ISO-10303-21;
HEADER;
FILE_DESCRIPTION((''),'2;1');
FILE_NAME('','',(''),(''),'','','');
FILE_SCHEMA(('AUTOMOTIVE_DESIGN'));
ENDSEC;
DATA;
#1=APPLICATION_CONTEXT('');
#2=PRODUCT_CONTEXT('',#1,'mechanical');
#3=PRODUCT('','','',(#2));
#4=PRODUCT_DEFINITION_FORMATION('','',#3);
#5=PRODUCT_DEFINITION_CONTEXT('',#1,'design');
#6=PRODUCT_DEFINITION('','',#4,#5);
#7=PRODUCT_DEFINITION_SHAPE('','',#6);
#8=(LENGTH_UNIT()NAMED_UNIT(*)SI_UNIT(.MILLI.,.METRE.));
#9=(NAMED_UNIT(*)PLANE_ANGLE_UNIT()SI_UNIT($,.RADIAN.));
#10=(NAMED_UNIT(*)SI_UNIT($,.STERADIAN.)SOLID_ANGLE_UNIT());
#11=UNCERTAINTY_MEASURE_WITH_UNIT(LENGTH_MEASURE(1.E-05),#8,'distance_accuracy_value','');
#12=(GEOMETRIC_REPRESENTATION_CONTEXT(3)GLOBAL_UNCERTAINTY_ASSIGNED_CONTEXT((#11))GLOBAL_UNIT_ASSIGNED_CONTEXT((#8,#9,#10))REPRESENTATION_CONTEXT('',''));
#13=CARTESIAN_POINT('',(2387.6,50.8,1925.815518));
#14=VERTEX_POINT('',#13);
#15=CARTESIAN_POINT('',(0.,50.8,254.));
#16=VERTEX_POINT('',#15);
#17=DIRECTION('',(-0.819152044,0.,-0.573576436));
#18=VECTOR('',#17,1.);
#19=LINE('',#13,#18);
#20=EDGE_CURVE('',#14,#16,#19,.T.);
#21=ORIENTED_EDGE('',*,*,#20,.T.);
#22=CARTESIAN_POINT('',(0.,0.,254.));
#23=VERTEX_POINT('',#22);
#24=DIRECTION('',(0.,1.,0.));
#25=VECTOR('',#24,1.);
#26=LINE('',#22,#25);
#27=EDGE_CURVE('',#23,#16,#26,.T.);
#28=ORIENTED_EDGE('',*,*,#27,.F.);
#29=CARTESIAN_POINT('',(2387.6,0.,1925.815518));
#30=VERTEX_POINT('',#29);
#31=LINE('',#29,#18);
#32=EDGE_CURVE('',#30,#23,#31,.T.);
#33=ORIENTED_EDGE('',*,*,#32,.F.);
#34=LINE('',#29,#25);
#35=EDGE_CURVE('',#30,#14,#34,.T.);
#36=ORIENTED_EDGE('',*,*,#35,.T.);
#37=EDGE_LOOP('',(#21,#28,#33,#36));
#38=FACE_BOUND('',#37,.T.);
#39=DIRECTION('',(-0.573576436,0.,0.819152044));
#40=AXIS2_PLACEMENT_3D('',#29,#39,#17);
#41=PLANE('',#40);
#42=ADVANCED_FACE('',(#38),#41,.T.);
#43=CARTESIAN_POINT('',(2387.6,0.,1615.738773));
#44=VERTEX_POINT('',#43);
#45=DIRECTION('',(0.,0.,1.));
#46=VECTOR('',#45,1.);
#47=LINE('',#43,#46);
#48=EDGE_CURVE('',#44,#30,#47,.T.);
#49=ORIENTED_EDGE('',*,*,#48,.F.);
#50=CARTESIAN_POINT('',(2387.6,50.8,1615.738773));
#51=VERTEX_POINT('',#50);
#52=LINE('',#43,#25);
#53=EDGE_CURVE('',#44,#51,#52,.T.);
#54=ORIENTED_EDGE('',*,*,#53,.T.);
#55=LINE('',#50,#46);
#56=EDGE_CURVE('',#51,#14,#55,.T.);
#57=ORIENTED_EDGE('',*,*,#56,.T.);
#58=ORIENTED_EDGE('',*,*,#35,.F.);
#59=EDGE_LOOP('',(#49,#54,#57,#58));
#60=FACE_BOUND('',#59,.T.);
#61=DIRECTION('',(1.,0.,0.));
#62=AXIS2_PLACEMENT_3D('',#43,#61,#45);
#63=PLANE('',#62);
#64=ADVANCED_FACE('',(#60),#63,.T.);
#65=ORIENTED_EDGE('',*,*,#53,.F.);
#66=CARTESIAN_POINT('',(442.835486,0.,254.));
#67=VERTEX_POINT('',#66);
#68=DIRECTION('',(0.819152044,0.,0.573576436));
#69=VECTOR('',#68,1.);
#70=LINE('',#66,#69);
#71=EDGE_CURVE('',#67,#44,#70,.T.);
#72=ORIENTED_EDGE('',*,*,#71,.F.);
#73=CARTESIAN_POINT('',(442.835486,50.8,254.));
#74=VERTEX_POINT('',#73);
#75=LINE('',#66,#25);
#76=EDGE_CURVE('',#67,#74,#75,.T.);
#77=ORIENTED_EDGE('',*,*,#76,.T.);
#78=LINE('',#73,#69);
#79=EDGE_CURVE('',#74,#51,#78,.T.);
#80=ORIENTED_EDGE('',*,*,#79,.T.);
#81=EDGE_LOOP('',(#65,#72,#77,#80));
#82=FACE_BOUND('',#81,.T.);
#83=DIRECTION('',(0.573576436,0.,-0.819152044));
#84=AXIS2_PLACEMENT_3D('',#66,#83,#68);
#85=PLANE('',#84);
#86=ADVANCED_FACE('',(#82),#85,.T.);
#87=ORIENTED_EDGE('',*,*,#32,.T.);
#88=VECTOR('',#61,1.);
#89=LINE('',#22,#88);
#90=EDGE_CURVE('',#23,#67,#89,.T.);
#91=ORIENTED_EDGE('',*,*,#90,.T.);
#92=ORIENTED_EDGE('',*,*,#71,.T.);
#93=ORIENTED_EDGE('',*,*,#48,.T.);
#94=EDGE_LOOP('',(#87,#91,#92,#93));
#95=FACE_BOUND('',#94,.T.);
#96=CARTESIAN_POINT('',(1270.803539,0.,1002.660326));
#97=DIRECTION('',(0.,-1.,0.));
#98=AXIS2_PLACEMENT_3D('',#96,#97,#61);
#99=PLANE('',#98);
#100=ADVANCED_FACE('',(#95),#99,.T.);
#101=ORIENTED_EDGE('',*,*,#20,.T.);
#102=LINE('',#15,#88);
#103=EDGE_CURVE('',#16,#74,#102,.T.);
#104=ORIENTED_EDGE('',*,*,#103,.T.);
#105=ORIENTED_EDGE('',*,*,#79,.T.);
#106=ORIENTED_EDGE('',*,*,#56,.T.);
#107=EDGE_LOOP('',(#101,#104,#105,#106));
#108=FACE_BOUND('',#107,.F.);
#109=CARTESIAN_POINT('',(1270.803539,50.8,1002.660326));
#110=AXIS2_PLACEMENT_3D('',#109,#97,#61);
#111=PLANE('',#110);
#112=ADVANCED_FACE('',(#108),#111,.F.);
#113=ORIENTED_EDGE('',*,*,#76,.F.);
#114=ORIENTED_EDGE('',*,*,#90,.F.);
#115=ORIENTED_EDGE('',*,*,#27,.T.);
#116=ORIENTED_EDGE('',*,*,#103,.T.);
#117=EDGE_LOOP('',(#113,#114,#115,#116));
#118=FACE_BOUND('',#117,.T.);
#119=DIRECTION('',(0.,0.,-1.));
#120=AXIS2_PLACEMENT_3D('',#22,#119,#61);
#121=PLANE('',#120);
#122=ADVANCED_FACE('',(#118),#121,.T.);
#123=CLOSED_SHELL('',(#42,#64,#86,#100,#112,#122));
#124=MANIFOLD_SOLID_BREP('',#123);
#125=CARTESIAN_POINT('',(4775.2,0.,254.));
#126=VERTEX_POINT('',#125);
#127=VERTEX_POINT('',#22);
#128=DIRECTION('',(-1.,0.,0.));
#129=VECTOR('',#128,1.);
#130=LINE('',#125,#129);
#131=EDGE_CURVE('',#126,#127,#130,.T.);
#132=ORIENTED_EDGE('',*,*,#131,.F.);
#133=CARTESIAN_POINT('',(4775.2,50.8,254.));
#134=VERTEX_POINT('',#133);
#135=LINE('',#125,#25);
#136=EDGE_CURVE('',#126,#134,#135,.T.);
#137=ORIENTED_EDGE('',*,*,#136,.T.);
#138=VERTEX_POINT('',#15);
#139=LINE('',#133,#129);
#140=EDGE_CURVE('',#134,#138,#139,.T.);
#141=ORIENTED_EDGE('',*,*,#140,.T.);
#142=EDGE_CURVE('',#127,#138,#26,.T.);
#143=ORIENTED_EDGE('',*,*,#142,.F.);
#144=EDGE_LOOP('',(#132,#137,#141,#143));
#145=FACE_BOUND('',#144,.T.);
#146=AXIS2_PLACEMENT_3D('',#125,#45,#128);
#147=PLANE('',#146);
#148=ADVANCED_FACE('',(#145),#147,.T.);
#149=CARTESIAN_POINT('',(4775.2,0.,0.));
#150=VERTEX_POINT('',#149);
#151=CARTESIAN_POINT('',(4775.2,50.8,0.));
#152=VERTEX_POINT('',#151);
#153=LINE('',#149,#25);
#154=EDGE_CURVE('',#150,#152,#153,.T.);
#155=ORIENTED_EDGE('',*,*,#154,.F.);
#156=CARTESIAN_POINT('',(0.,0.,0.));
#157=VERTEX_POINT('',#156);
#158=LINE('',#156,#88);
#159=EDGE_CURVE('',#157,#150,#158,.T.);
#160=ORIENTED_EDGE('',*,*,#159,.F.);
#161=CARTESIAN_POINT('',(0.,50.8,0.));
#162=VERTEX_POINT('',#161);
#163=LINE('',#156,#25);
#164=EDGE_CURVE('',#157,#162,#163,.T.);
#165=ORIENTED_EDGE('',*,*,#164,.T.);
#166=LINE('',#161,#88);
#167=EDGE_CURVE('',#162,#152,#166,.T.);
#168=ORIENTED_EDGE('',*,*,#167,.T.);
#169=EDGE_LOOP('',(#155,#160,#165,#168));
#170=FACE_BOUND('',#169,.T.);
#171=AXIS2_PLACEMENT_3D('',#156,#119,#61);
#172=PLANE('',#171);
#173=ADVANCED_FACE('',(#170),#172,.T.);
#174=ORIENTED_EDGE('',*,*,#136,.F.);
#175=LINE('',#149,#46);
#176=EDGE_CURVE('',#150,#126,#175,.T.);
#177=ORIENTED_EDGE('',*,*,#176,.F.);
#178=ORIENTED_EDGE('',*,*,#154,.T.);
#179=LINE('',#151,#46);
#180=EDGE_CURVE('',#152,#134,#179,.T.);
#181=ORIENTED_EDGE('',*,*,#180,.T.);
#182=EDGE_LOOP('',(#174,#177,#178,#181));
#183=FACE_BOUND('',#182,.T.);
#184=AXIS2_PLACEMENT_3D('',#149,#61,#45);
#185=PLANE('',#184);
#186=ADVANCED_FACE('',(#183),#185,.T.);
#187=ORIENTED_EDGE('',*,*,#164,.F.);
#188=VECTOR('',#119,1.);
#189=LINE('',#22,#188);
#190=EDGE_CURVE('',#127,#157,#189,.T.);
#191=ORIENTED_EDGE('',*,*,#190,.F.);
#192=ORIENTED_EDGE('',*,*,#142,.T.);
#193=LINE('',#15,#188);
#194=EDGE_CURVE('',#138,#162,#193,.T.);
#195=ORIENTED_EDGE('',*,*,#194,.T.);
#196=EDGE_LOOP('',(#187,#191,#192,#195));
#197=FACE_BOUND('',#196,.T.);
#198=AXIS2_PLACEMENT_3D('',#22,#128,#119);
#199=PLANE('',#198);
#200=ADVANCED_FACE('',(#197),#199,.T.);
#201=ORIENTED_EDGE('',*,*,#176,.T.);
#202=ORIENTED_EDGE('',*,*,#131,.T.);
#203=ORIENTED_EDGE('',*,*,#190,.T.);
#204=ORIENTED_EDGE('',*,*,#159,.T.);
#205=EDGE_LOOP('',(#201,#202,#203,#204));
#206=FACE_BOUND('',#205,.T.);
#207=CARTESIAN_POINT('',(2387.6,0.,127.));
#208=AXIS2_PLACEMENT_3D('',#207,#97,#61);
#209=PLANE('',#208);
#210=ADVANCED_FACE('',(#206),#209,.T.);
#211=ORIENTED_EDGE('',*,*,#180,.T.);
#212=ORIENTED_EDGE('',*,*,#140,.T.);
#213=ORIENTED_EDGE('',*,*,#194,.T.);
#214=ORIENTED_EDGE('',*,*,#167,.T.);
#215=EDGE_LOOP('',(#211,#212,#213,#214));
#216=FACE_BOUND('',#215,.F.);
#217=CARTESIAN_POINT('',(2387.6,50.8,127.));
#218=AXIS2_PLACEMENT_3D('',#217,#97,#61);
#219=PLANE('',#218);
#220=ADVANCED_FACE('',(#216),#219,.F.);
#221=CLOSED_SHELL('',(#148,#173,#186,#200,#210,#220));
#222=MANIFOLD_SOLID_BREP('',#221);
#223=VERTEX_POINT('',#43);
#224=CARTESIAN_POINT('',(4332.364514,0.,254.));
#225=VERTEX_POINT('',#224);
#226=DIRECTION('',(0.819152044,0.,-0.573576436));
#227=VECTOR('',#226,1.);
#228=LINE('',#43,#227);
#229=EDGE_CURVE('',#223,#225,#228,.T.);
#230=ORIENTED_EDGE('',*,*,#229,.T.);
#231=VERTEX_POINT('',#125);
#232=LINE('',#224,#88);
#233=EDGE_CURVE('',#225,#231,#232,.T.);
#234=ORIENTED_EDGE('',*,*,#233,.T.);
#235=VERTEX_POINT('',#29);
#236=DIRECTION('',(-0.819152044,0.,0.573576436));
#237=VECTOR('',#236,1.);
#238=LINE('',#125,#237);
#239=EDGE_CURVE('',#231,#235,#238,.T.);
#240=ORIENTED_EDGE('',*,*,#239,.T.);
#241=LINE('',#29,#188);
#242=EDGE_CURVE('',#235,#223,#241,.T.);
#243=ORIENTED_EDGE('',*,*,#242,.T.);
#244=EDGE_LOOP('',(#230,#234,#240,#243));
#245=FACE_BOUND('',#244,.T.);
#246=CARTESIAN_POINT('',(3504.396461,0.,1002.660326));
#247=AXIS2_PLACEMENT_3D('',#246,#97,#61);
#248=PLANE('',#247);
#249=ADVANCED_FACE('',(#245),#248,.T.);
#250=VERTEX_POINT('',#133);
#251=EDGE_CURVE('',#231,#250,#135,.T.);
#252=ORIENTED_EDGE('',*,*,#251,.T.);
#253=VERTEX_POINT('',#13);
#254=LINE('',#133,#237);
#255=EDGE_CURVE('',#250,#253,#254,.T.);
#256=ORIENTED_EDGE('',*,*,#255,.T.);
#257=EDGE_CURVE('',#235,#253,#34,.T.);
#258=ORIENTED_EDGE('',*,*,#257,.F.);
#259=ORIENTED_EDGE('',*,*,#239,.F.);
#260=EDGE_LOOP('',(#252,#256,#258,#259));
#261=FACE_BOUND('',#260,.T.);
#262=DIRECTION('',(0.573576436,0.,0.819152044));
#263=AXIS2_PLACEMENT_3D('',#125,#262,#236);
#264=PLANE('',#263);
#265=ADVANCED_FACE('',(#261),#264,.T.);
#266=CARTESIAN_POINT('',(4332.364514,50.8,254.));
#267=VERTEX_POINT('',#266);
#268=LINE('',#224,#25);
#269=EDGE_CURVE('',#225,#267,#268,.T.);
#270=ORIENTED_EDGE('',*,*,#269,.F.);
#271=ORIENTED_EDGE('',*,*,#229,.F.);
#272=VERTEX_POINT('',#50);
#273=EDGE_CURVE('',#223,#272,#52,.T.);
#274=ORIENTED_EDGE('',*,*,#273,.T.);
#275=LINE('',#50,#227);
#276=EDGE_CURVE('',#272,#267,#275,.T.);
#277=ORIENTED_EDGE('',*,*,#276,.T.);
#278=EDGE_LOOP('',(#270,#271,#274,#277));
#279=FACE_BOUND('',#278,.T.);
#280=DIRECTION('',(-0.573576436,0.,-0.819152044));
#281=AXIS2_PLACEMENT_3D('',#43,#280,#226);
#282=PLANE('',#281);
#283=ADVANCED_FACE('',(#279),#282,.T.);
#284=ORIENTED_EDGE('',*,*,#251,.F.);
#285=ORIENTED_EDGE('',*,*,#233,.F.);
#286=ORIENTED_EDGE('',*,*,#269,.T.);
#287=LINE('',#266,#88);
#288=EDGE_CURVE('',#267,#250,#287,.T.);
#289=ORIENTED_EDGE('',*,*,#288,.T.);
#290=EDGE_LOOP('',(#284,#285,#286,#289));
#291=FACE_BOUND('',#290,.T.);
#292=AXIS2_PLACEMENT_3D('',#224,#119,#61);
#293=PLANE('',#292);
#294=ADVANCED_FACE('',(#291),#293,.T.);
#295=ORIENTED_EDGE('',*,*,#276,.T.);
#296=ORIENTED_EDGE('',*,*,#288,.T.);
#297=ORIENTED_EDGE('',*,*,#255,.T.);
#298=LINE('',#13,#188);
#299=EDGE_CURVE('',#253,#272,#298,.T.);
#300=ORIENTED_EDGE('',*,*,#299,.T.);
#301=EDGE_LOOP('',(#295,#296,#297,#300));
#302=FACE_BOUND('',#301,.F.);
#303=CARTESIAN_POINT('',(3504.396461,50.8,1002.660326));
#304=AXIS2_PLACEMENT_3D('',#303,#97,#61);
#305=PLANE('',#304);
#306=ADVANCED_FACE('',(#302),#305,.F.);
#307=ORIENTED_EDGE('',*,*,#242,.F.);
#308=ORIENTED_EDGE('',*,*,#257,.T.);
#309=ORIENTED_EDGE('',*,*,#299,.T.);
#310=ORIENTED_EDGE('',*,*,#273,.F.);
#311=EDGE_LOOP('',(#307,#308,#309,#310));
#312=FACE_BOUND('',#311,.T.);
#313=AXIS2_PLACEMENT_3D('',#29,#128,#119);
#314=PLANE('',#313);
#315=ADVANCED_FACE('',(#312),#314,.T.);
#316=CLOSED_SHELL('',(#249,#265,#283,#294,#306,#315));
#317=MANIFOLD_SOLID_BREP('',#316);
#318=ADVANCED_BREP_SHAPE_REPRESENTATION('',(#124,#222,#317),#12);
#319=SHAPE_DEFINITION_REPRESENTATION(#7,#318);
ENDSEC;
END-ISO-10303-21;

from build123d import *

# Parameters (mm, degrees)
F1_DEPTH = 50.8
F2_DEPTH = 50.8
F3_DEPTH = 50.8


with BuildPart() as f1:
    # F0 (on Front) → F1 (new body)
    with BuildSketch(Plane.XZ):
        Polygon((0, 254), (0, 0), (4775.2, 0), (4775.2, 254), (4332.364514, 254), (442.835486, 254), align=None)
    extrude(amount=-F1_DEPTH)


with BuildPart() as f2:
    # F0 (on Front) → F2 (new body)
    with BuildSketch(Plane.XZ):
        Polygon((2387.6, 1925.815518), (0, 254), (442.835486, 254), (2387.6, 1615.738773), align=None)
    extrude(amount=-F2_DEPTH)


with BuildPart() as f3:
    # F0 (on Front) → F3 (new body)
    with BuildSketch(Plane.XZ):
        Polygon((4332.364514, 254), (4775.2, 254), (2387.6, 1925.815518), (2387.6, 1615.738773), align=None)
    extrude(amount=-F3_DEPTH)


solid = Compound([f1.part, f2.part, f3.part])
